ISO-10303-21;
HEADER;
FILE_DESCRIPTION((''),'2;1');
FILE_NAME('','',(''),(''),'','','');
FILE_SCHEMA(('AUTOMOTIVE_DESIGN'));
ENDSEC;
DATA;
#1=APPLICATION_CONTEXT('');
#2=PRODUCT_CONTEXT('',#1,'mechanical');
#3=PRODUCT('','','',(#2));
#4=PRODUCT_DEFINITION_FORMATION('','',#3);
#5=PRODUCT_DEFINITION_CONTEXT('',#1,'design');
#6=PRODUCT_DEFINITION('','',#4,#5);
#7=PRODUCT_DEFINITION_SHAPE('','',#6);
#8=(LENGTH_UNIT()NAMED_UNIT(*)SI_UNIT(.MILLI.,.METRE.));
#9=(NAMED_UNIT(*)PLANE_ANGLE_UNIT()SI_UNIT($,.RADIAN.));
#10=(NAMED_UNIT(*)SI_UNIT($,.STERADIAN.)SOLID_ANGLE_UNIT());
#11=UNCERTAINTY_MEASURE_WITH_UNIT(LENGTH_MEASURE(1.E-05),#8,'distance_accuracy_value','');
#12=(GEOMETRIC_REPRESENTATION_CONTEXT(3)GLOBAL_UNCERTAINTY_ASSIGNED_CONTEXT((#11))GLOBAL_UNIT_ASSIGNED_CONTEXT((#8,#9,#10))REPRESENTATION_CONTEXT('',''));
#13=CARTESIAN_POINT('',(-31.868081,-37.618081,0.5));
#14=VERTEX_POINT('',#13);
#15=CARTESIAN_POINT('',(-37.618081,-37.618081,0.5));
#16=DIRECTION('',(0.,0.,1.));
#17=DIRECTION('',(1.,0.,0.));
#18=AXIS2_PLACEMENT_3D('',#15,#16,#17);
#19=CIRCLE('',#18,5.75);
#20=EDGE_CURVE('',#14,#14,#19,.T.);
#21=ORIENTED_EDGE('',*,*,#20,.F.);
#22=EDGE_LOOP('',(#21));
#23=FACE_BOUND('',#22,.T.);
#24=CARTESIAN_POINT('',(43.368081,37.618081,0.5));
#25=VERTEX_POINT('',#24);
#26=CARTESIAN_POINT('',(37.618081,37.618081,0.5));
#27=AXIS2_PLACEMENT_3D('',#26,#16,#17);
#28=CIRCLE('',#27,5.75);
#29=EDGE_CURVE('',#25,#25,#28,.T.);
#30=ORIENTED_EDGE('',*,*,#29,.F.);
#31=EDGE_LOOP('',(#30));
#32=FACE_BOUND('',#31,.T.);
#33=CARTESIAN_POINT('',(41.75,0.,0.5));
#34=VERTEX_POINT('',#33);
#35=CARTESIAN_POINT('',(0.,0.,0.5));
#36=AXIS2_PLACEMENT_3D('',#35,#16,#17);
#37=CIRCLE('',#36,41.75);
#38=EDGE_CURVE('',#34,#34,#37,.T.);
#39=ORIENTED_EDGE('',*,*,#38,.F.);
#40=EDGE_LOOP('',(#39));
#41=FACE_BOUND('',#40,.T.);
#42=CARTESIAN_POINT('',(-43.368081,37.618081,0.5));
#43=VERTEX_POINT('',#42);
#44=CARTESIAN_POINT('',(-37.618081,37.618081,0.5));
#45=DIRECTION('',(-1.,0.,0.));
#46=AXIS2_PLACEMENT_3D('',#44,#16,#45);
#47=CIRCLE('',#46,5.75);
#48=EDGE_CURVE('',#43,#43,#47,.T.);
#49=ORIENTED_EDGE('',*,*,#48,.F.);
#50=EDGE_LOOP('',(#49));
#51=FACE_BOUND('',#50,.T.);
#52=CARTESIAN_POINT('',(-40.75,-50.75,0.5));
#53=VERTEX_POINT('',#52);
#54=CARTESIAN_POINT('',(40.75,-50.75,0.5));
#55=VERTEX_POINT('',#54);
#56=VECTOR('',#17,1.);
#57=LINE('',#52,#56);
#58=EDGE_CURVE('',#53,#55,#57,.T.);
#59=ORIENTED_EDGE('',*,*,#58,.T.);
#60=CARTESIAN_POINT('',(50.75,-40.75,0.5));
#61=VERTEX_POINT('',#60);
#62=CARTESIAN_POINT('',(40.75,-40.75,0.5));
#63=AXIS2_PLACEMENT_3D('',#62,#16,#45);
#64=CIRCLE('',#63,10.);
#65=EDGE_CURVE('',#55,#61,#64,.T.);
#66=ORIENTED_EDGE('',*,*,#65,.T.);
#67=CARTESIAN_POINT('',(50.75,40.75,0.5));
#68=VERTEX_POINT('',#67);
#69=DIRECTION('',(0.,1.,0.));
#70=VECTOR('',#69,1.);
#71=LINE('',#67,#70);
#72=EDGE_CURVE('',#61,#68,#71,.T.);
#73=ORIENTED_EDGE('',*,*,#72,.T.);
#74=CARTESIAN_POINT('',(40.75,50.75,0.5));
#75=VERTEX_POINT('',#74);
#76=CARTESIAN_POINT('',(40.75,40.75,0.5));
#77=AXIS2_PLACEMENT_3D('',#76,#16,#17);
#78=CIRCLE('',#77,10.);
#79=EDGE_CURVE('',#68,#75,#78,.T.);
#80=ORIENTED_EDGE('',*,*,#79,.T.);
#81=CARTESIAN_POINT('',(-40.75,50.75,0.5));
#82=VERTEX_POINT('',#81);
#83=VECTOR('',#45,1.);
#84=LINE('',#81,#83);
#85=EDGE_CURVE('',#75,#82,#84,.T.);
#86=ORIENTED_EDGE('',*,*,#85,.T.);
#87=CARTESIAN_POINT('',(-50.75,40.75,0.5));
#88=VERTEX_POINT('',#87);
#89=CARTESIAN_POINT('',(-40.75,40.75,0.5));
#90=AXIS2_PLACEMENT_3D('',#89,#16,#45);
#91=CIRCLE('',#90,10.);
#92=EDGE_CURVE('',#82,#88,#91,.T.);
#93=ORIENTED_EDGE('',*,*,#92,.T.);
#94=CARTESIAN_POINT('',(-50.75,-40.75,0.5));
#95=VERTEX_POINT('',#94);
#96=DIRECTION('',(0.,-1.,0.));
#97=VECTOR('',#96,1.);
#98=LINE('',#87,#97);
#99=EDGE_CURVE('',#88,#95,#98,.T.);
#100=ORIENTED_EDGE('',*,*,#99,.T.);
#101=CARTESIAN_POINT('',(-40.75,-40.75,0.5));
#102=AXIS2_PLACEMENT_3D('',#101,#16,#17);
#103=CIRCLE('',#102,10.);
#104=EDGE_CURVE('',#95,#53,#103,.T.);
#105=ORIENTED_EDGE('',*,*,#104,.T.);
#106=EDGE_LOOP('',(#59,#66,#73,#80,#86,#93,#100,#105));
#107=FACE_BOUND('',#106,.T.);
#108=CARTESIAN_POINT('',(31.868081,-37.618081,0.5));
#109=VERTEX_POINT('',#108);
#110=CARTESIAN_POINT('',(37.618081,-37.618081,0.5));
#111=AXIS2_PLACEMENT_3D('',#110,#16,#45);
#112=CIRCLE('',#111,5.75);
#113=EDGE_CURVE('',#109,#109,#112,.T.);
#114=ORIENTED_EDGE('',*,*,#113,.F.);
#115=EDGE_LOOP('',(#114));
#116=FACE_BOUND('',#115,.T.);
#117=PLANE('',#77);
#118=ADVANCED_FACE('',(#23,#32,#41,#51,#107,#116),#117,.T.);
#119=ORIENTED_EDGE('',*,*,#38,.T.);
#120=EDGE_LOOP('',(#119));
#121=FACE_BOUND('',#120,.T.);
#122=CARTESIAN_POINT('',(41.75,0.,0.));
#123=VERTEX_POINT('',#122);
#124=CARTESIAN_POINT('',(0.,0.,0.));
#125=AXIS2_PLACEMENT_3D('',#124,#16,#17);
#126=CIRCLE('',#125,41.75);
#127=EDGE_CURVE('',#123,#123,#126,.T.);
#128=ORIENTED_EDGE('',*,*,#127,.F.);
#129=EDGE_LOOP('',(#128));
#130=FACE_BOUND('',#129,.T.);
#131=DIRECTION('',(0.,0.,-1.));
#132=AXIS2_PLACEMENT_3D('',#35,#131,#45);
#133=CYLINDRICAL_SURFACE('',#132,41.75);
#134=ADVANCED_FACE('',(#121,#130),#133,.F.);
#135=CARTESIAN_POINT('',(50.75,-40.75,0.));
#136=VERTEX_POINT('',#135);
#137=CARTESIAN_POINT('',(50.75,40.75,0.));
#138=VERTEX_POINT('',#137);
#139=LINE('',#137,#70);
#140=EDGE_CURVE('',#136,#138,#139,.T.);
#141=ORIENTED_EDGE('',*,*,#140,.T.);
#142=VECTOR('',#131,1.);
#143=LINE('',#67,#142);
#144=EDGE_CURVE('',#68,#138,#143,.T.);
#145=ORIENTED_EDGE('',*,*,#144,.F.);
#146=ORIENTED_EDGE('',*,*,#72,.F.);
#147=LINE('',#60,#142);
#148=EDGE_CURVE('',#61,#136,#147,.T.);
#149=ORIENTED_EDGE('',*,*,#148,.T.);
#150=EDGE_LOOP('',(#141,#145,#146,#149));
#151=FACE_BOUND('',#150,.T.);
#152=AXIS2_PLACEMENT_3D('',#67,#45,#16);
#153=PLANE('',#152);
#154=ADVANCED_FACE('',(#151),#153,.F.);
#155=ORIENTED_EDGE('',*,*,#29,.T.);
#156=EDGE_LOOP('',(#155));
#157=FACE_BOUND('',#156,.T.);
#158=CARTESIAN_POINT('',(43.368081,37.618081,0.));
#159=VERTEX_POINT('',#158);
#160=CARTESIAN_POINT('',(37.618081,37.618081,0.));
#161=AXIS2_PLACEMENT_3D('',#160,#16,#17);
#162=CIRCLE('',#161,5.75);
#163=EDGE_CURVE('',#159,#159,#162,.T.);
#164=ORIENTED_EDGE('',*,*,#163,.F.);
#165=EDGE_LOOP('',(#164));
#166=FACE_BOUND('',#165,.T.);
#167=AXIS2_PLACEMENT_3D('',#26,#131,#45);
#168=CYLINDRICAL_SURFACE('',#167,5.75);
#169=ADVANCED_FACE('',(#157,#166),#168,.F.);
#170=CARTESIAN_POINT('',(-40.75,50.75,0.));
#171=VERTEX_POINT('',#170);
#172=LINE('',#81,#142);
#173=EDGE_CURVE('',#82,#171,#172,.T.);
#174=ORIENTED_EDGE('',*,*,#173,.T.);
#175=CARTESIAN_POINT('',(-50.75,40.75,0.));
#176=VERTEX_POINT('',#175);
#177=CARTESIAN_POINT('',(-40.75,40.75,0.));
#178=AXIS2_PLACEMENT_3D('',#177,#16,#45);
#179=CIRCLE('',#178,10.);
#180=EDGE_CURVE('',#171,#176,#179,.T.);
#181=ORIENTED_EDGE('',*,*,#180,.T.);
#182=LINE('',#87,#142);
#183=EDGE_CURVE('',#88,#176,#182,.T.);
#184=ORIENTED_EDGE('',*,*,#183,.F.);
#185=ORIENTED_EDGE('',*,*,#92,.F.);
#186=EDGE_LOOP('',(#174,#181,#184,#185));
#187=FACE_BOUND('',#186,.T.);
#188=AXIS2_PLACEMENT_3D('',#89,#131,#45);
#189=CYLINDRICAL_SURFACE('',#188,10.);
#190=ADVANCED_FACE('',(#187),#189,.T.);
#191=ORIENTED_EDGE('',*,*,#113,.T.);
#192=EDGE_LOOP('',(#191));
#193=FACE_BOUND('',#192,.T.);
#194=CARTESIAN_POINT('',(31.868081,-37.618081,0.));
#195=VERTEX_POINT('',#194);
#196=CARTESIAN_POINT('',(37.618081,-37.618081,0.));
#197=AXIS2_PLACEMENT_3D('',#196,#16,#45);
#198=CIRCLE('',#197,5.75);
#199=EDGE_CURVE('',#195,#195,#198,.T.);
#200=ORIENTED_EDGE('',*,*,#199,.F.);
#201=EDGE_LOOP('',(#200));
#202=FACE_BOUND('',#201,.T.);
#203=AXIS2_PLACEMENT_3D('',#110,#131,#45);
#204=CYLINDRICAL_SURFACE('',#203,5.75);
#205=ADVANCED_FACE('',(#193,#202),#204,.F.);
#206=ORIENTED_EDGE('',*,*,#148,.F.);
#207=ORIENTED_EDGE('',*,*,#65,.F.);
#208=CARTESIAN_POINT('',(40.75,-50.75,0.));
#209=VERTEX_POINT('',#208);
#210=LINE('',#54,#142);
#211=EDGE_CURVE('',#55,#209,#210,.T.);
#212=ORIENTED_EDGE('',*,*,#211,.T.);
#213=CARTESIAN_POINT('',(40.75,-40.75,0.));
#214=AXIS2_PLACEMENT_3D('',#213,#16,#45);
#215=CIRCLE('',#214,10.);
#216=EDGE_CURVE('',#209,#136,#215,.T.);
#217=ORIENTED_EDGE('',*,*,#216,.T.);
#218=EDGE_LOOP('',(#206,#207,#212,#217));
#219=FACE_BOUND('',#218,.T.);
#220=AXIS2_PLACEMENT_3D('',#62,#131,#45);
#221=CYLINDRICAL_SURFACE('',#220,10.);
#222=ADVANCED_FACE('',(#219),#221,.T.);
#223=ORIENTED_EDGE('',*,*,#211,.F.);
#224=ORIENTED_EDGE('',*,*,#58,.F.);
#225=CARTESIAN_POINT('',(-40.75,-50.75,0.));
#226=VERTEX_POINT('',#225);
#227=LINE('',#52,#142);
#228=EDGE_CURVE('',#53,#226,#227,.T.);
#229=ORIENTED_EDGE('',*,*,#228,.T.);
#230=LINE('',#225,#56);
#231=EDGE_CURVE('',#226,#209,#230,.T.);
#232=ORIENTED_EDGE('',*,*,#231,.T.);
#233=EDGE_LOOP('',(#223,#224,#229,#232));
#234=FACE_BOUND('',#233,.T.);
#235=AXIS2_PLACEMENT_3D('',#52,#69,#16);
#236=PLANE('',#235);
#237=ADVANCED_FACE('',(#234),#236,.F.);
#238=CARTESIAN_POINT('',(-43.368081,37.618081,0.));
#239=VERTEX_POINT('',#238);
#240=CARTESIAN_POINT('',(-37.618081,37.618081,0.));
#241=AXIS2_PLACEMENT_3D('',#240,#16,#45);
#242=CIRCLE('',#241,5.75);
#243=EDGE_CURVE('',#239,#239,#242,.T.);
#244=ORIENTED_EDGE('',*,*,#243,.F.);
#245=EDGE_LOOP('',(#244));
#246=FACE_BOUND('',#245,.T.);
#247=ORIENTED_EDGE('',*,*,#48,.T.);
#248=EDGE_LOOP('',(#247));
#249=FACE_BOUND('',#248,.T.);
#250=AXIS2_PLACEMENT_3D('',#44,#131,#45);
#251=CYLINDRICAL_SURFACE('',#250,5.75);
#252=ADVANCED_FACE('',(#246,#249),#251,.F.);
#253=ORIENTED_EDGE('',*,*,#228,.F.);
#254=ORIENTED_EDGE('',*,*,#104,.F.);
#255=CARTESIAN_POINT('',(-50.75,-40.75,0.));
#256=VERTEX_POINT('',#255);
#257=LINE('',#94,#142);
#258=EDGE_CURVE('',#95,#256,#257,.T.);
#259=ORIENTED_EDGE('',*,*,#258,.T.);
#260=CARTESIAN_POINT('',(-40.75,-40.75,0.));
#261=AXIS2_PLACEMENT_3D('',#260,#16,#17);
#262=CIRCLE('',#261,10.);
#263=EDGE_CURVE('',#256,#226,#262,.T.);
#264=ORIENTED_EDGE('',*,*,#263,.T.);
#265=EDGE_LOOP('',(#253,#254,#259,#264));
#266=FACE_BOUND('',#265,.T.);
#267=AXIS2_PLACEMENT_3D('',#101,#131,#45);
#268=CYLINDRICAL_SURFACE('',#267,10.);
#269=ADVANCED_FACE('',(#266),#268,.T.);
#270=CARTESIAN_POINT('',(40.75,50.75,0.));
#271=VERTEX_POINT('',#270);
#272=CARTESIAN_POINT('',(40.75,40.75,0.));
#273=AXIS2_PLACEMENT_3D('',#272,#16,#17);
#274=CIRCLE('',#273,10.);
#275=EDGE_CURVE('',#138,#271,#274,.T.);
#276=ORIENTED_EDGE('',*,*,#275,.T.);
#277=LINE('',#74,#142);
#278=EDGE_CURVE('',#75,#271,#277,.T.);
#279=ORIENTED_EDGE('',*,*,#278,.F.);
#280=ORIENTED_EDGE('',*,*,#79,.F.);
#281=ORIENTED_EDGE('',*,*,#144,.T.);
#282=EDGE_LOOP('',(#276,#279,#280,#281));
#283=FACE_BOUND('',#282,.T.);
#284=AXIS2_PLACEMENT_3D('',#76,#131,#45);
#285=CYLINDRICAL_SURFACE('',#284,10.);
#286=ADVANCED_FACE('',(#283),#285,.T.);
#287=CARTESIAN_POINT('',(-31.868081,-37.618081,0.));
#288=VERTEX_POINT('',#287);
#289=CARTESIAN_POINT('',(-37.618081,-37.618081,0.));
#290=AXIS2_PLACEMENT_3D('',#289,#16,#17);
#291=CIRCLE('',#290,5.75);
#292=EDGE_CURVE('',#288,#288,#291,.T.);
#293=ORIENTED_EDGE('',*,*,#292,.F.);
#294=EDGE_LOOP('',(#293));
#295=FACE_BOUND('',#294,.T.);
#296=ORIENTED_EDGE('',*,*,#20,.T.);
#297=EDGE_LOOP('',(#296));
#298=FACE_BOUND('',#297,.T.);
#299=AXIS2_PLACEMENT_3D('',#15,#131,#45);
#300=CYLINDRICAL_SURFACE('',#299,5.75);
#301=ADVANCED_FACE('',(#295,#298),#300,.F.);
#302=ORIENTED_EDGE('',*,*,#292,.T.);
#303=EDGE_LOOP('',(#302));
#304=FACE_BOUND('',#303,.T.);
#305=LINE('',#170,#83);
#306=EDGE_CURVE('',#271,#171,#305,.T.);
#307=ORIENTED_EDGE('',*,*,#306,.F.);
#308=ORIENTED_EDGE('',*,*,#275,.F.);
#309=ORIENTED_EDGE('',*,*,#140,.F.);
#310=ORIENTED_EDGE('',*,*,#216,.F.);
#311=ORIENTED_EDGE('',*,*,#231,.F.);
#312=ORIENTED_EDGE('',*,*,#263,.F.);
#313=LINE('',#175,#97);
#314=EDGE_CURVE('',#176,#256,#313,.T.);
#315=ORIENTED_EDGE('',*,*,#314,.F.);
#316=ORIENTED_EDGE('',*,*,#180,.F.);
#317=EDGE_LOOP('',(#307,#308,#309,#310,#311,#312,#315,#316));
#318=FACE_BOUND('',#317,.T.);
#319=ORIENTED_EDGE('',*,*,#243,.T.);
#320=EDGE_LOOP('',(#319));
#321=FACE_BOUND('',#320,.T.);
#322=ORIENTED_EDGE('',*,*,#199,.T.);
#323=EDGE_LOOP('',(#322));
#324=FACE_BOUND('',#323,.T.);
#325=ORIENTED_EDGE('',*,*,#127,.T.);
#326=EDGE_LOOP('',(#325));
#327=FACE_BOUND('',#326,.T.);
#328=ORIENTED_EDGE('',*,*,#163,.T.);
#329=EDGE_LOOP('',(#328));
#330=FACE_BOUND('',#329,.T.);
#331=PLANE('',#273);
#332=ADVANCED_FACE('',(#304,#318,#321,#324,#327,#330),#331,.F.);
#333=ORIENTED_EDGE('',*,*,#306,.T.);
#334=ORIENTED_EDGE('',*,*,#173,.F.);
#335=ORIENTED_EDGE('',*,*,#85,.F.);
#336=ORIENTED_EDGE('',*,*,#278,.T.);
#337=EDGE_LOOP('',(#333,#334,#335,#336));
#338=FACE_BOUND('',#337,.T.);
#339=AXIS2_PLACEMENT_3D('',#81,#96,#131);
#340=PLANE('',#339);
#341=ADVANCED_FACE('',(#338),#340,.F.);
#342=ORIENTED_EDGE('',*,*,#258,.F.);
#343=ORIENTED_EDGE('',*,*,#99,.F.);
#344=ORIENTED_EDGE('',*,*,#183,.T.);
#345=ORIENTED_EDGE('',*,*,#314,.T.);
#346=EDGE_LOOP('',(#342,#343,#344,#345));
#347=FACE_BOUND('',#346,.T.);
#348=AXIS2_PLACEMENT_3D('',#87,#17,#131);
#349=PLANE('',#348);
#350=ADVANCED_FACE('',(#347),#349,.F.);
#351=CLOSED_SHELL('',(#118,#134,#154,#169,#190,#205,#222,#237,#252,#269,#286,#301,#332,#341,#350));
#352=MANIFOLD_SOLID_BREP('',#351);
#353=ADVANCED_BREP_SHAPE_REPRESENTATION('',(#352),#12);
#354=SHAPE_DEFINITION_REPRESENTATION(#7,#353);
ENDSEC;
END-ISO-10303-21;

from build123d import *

# Parameters (mm, degrees)
SKETCH1_R      = 5.75
SKETCH1_R_2    = 41.75
EXTRUDE1_DEPTH = 0.5


with BuildPart() as part:
    # Sketch1 → Extrude1 (new body)
    with BuildSketch(Plane.XY):
        with BuildLine():
            Line((-40.75, 50.75), (40.75, 50.75))
            ThreePointArc((40.75, 50.75), (47.821067812, 47.821067812), (50.75, 40.75))
            Line((50.75, 40.75), (50.75, -40.75))
            ThreePointArc((50.75, -40.75), (47.821067812, -47.821067812), (40.75, -50.75))
            Line((40.75, -50.75), (-40.75, -50.75))
            ThreePointArc((-40.75, -50.75), (-47.821067812, -47.821067812), (-50.75, -40.75))
            Line((-50.75, -40.75), (-50.75, 40.75))
            ThreePointArc((-50.75, 40.75), (-47.821067812, 47.821067812), (-40.75, 50.75))
        make_face()
        with Locations((37.618080759, 37.618080759)):
            Circle(SKETCH1_R, mode=Mode.SUBTRACT)
        with Locations(Location((-37.618080759, 37.618080759, 0), (0, 0, 180))):
            Circle(SKETCH1_R, mode=Mode.SUBTRACT)
        with Locations((-37.618080759, -37.618080759)):
            Circle(SKETCH1_R, mode=Mode.SUBTRACT)
        with Locations(Location((37.618080759, -37.618080759, 0), (0, 0, 180))):
            Circle(SKETCH1_R, mode=Mode.SUBTRACT)
        Circle(SKETCH1_R_2, mode=Mode.SUBTRACT)
    extrude(amount=EXTRUDE1_DEPTH)


solid = part.part
